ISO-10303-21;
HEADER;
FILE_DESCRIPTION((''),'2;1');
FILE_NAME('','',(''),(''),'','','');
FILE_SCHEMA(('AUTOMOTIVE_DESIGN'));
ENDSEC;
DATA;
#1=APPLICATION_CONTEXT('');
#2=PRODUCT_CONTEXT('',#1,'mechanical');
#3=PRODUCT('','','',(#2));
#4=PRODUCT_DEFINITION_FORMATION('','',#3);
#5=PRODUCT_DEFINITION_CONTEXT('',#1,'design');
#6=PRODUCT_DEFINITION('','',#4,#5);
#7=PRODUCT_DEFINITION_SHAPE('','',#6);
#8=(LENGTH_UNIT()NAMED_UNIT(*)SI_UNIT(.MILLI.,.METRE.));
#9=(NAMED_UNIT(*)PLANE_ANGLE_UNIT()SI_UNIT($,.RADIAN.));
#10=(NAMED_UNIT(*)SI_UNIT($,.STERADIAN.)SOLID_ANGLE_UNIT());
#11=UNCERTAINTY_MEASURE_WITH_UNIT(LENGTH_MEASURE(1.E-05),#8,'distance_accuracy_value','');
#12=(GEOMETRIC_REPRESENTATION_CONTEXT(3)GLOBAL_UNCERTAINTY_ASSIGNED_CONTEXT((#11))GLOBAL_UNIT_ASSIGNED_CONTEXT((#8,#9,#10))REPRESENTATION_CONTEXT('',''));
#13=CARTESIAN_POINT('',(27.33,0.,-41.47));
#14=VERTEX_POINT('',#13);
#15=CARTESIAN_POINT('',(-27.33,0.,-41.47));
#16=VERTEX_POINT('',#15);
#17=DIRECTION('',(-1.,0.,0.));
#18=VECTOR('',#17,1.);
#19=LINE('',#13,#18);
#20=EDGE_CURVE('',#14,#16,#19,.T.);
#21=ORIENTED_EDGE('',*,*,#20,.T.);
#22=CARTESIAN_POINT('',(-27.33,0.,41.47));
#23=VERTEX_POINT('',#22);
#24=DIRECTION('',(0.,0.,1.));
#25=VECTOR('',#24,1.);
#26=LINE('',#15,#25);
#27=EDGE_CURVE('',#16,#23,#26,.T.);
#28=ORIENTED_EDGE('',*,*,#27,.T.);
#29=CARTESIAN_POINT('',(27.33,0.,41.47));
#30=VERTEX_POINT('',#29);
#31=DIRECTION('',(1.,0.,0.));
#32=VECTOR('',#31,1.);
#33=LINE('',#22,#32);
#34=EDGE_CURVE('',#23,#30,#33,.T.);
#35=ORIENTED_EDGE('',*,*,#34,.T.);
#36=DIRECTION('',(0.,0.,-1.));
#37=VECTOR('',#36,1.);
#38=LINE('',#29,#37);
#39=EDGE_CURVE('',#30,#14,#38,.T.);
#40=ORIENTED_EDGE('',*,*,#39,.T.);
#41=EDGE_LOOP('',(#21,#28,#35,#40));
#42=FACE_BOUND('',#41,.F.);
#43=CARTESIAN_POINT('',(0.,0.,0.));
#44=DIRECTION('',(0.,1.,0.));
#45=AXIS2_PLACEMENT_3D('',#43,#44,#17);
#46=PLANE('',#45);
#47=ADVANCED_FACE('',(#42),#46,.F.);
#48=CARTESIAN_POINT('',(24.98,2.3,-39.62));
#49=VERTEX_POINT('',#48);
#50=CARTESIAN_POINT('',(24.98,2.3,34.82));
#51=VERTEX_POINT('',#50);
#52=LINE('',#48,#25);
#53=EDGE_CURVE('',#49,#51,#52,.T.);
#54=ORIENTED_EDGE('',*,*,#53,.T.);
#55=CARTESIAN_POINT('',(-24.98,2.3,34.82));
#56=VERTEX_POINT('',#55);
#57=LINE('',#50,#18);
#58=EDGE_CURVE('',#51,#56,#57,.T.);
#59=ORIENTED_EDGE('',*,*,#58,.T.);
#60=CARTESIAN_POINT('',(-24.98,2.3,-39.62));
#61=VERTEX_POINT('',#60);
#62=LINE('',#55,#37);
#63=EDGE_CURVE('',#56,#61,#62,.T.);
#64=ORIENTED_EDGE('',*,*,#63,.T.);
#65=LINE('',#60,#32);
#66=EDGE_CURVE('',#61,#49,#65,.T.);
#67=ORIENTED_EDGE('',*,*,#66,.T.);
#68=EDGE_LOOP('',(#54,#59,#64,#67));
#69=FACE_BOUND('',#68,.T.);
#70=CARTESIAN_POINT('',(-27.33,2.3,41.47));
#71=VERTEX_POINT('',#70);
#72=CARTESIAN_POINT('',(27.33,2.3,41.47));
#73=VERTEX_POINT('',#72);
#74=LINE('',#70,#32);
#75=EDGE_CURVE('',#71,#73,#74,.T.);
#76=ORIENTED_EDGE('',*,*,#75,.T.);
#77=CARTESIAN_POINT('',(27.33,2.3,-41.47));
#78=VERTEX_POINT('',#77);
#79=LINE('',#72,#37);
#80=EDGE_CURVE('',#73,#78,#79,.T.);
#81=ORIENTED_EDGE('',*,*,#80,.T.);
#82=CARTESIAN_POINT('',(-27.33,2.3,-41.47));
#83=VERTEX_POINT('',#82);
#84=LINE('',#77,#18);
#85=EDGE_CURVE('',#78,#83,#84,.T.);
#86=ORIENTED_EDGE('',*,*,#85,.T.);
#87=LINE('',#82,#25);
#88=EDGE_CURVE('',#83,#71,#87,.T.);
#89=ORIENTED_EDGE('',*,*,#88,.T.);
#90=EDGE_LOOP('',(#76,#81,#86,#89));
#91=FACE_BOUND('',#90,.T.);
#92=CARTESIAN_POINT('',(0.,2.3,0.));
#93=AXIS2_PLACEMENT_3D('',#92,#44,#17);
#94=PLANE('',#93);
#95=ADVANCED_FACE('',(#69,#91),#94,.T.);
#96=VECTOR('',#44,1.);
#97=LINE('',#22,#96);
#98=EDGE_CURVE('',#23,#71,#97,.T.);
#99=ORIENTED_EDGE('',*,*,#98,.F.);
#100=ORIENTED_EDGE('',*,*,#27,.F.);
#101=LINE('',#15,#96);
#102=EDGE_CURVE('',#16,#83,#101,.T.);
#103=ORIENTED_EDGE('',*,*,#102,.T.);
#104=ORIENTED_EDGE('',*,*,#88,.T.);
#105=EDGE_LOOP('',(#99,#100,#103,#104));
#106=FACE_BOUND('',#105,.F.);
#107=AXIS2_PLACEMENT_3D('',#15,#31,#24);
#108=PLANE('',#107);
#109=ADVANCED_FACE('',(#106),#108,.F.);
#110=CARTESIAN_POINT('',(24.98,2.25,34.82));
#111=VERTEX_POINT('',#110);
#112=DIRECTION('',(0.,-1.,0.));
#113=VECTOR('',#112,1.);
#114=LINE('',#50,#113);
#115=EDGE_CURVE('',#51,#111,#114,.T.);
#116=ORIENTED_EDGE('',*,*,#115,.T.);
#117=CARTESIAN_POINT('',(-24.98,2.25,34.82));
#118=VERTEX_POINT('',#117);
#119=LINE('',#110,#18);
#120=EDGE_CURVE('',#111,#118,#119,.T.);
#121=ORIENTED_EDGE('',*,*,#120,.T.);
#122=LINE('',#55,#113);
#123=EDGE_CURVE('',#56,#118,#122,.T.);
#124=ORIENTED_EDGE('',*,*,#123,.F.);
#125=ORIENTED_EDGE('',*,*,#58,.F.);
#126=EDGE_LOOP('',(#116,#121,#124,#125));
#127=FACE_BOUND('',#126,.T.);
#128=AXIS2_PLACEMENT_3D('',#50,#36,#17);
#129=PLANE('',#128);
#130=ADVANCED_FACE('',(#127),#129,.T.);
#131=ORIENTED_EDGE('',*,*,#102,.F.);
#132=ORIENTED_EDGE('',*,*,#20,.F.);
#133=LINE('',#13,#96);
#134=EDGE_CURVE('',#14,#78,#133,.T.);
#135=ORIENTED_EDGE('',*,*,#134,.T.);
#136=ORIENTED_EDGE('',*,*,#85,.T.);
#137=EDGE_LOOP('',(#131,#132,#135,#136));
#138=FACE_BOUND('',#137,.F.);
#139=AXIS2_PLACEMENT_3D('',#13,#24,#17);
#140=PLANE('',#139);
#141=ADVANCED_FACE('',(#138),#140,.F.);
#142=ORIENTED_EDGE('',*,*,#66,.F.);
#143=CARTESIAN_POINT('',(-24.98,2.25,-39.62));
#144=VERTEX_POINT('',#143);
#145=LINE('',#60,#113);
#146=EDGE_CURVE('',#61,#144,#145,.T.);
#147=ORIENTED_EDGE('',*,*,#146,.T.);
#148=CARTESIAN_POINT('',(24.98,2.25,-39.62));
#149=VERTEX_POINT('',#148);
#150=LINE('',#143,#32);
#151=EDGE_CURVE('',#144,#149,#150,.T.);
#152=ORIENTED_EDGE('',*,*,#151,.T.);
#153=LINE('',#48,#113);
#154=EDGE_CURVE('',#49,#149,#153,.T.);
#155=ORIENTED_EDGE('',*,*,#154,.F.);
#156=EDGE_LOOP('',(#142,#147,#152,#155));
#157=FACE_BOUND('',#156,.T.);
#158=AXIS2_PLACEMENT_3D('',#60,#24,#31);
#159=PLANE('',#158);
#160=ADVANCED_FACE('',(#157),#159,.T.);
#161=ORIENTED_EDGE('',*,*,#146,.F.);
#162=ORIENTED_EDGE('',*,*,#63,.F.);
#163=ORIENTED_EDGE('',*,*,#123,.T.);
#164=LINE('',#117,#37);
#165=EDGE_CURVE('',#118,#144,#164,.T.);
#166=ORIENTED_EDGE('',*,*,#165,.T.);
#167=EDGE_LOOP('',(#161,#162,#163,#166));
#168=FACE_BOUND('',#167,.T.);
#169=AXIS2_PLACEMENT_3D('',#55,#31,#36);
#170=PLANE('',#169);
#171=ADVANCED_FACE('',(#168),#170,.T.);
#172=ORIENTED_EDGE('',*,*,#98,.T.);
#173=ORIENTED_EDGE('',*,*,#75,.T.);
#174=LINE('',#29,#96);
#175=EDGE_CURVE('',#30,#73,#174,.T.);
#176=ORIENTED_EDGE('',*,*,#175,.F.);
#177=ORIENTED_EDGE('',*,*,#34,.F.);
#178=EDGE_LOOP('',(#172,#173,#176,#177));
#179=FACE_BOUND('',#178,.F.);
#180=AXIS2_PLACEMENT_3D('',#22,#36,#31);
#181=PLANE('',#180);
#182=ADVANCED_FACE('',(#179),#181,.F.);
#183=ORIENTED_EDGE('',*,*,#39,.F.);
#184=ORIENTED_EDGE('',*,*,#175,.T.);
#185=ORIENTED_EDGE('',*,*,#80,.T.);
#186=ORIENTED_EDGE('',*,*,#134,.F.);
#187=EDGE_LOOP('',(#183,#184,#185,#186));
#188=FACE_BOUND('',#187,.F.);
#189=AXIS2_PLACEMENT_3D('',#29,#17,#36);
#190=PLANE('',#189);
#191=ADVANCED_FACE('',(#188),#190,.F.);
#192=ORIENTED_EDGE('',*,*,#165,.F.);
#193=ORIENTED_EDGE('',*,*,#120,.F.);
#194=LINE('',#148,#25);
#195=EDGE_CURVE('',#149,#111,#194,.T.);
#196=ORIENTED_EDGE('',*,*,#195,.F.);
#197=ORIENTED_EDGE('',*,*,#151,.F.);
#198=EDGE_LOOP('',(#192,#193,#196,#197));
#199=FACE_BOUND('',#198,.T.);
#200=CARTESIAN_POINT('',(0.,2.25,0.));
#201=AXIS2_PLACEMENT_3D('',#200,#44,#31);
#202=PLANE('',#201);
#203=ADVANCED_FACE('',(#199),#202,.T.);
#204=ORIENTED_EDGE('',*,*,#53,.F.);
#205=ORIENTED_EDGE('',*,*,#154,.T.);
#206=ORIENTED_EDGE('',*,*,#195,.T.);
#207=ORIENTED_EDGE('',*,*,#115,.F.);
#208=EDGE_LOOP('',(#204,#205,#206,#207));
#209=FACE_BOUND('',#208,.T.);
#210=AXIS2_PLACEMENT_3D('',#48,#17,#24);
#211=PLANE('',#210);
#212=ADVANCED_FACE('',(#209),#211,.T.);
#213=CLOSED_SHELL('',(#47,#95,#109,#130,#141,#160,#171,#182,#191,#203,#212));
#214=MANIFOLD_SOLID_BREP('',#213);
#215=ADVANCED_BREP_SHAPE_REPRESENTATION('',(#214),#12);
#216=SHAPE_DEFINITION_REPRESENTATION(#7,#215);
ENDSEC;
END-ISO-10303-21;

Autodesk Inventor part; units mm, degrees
ref_plane "YZ Plane" through (0, 0, 0) normal (1, 0, 0) x (0, 1, 0)
ref_plane "XZ Plane" through (0, 0, 0) normal (0, 1, 0) x (-1, 0, 0)
sketch "Sketch1" plane through (0, 0, 0) normal (0, 1, 0) x (-1, 0, 0)
  line L0 (27.33, 41.47) -> (-27.33, 41.47)
  line L1 (-27.33, 41.47) -> (-27.33, -41.47)
  line L2 (-27.33, -41.47) -> (27.33, -41.47)
  line L3 (27.33, -41.47) -> (27.33, 41.47)
  line L4 (27.33, 41.47) -> (-27.33, -41.47) construction
  line L5 (-27.33, 41.47) -> (27.33, -41.47) construction
  point P0 (0, 0)
  dimension "d0" = 82.94
  dimension "d1" = 54.66
extrude "Extrusion1" add sketch "Sketch1" along normal blind 2.3
sketch "Sketch2" plane through (0, 2.3, 0) normal (0, 1, 0) x (1, 0, 0)
  line L0 (-24.98, 39.62) -> (24.98, 39.62)
  line L1 (24.98, 39.62) -> (24.98, -34.82)
  line L2 (24.98, -34.82) -> (-24.98, -34.82)
  line L3 (-24.98, -34.82) -> (-24.98, 39.62)
  line L4 (-24.98, 39.62) -> (24.98, -34.82) construction
  line L5 (24.98, 39.62) -> (-24.98, -34.82) construction
  line L6 (27.33, 41.47) -> (-27.33, 41.47) projected
  point P0 (0, 0)
  point P1 (0, 2.4)
  dimension "d4" = 74.44
  dimension "d5" = 49.96
  dimension "d6" = 1.85
extrude "Extrusion2" cut sketch "Sketch2" against normal blind 0.05
ref_plane "MidPlane" through (0, 2.3, -2.4) normal (0, 0, 1) x (1, 0, 0)
properties part number "Multi-Inno_3.5in_LCD"
